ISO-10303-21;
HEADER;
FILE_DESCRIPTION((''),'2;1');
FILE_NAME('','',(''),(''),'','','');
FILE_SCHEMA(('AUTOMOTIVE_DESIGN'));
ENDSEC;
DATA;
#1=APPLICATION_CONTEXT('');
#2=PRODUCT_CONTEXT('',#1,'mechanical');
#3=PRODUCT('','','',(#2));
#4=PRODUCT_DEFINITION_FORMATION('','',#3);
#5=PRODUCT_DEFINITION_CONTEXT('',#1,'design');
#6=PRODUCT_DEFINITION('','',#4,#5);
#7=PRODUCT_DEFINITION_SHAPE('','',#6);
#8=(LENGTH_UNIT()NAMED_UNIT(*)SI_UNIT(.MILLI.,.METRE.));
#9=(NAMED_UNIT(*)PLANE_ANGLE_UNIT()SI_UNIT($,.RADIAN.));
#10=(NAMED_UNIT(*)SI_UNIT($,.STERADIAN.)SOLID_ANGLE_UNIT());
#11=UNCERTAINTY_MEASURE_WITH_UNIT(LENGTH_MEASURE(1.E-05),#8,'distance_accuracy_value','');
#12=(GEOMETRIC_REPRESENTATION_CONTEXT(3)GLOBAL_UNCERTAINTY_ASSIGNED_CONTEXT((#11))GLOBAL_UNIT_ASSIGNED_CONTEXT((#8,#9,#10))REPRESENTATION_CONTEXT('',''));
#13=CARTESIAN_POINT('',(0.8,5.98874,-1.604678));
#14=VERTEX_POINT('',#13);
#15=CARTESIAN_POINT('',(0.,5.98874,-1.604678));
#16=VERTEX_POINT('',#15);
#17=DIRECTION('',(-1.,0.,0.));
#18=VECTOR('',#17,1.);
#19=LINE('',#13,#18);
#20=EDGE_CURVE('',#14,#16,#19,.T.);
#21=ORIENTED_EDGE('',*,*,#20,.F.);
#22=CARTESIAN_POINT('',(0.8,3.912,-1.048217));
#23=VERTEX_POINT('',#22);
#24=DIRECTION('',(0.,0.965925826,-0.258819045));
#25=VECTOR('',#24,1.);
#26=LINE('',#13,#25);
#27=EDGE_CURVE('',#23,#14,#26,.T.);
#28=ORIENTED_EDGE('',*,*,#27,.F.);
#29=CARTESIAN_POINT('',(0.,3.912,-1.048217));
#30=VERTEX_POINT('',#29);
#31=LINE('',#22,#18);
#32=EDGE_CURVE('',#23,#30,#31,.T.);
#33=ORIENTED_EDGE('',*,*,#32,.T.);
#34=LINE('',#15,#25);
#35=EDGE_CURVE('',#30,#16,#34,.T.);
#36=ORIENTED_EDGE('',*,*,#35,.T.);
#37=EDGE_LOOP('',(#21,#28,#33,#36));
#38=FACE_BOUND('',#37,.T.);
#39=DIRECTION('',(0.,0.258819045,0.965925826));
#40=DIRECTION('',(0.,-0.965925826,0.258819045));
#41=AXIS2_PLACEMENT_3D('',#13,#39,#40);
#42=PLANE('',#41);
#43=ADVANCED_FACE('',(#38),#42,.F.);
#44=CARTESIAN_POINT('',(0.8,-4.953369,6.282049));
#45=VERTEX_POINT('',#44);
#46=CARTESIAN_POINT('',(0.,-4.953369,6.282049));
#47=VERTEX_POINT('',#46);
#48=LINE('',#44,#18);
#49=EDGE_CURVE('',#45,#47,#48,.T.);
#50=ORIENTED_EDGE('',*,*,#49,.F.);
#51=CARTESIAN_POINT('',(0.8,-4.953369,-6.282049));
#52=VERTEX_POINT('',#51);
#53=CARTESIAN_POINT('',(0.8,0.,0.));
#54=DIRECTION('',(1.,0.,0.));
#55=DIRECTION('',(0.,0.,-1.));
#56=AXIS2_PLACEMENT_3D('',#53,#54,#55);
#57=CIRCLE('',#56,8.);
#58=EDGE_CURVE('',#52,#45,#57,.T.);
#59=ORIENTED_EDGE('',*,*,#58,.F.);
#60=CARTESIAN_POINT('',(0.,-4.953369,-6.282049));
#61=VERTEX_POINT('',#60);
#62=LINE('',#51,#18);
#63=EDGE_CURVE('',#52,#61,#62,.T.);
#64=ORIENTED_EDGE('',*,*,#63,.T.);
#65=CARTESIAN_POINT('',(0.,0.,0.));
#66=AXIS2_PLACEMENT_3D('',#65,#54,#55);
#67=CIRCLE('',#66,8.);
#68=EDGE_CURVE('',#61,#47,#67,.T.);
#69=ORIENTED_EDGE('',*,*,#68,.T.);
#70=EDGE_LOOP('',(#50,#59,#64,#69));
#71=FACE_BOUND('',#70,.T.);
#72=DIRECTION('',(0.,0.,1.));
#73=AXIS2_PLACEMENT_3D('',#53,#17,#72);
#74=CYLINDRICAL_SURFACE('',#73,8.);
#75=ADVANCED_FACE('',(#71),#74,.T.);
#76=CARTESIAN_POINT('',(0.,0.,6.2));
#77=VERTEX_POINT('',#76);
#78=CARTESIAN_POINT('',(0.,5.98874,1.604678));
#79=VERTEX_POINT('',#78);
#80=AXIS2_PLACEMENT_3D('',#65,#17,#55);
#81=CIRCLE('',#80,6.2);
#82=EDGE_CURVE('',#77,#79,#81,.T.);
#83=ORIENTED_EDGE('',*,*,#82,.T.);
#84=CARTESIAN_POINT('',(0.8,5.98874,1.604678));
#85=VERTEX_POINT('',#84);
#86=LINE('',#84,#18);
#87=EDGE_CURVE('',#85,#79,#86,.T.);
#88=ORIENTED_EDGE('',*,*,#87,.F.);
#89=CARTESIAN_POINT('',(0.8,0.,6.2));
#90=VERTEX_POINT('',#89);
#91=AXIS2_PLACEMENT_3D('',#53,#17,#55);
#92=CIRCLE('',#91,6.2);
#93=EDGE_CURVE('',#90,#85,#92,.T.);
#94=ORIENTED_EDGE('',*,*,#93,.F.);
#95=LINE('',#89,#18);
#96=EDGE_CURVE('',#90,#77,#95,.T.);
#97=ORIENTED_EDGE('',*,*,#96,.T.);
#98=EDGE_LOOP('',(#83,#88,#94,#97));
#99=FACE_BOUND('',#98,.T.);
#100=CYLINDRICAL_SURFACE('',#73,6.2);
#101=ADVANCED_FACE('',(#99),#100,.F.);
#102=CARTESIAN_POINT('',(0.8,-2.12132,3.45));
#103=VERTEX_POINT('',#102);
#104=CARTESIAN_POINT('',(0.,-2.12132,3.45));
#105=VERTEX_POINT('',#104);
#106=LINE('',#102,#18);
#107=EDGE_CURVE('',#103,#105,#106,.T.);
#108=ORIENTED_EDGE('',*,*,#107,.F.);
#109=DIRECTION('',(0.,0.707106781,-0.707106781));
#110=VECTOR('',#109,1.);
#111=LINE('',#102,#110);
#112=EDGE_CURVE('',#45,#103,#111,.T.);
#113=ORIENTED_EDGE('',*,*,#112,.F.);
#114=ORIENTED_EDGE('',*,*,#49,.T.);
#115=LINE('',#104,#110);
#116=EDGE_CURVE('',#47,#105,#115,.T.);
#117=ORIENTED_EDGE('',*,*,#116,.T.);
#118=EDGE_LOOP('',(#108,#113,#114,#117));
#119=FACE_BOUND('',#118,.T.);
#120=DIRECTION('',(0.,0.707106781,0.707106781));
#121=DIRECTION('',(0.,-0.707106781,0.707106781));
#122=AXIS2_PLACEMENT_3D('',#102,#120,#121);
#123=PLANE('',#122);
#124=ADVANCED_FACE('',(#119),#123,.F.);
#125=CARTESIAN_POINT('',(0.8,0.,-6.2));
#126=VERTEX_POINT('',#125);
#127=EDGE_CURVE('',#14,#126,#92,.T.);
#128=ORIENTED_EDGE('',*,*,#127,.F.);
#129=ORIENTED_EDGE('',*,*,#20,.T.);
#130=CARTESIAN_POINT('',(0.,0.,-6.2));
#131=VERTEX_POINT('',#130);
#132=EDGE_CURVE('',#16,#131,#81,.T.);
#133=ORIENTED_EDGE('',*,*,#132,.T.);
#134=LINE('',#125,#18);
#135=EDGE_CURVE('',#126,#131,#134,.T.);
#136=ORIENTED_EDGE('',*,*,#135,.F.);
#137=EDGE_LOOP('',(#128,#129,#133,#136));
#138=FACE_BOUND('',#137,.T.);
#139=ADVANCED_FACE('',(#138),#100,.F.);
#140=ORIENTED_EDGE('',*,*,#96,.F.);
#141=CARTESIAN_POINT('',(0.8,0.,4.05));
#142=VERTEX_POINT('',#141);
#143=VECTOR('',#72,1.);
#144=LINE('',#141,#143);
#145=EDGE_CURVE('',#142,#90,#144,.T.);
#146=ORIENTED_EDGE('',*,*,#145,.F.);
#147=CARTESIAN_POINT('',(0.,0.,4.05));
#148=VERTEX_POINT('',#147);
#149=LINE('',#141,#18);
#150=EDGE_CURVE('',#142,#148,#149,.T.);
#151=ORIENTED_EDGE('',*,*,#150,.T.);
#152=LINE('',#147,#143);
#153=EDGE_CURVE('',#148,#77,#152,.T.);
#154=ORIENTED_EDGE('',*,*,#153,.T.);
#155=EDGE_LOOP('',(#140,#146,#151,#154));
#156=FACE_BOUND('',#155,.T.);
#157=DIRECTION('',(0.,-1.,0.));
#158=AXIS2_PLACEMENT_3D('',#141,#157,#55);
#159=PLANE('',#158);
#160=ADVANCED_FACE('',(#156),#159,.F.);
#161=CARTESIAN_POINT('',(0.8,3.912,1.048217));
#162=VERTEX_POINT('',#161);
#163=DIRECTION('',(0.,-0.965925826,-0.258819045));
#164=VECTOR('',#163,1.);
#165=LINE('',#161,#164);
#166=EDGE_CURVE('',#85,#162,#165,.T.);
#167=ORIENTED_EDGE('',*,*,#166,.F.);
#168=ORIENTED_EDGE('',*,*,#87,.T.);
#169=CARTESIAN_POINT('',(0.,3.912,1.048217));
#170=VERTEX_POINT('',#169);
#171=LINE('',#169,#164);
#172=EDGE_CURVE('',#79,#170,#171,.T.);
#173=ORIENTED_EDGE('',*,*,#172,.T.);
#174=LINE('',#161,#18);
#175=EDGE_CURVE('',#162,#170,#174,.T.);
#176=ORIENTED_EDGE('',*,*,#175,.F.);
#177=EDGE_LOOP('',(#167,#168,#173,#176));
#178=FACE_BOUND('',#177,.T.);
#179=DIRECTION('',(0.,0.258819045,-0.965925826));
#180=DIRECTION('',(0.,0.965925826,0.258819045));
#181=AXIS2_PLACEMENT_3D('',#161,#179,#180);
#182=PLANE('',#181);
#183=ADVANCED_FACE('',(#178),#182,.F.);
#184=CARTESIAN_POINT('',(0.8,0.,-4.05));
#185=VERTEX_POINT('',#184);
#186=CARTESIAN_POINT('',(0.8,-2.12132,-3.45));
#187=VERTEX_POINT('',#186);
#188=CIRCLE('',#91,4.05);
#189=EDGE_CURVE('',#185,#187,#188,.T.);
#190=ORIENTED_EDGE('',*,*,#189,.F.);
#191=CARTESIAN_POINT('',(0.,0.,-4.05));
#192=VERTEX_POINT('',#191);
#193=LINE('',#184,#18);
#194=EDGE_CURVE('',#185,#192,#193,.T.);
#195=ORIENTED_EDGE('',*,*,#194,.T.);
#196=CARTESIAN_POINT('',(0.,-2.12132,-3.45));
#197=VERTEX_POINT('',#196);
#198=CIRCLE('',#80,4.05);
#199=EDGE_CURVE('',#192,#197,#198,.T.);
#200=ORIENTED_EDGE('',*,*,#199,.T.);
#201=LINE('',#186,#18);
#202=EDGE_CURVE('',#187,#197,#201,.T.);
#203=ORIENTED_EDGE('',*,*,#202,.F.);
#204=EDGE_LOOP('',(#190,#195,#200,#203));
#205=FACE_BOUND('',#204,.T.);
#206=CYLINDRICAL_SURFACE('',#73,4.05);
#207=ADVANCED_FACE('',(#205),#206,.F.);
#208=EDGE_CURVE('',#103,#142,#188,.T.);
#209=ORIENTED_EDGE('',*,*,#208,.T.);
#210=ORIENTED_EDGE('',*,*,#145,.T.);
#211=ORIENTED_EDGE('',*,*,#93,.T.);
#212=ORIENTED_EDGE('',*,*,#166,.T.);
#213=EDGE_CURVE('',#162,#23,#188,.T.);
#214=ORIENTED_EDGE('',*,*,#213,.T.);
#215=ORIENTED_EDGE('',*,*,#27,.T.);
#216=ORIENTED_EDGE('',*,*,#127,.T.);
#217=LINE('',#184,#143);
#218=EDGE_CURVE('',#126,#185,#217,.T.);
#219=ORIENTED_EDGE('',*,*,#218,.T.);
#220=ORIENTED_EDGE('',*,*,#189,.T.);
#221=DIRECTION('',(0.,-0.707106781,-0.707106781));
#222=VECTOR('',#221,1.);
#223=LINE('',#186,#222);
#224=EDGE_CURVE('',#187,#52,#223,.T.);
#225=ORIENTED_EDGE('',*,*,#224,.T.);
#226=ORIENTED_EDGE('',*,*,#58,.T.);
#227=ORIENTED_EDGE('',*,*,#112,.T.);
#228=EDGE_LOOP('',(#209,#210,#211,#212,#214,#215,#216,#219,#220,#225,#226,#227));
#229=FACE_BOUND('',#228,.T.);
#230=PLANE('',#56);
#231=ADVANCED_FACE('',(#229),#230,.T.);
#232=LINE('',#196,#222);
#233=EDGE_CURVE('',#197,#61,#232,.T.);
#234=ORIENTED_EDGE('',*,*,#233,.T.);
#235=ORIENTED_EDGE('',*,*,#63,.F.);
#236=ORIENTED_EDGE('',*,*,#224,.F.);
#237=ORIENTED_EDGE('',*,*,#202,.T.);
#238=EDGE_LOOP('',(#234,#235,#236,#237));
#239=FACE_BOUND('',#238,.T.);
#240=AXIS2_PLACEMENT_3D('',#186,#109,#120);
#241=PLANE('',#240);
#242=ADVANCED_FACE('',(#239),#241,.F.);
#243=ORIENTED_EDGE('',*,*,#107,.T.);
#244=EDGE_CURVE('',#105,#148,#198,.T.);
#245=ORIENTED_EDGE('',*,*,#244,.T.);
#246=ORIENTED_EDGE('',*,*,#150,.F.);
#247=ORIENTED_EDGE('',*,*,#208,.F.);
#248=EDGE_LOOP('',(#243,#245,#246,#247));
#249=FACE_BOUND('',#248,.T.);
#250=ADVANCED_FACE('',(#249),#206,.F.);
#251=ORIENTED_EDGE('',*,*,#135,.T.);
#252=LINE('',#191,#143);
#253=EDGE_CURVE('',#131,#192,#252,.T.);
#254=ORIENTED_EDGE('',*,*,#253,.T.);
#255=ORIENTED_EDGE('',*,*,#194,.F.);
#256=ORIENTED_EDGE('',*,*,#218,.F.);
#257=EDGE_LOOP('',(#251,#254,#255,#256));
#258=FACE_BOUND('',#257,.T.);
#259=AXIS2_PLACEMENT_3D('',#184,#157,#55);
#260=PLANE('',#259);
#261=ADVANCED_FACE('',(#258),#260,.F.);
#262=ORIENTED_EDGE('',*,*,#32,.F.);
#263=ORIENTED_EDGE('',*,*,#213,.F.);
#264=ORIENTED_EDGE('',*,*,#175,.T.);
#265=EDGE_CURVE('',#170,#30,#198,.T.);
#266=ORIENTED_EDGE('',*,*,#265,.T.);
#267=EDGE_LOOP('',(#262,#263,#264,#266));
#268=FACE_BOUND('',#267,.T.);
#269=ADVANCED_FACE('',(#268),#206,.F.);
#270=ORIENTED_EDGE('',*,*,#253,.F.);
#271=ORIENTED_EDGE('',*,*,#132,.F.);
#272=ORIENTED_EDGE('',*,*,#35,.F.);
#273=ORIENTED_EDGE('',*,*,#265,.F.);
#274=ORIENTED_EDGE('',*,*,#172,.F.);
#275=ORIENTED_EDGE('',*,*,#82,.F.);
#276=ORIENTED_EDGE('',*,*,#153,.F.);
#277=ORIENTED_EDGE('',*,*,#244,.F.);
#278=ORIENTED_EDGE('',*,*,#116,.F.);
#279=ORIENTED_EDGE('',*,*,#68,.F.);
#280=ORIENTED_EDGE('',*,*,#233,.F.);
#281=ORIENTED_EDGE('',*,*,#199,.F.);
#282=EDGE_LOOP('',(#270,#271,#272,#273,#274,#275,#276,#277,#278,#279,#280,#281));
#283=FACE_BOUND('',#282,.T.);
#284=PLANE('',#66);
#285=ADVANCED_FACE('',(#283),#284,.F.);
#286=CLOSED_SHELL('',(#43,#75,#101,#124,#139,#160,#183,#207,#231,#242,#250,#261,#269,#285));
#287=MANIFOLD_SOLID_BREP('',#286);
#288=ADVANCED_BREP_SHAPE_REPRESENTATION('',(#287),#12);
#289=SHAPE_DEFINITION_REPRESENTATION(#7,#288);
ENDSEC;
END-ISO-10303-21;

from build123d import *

# Parameters (mm, degrees)
BOSS_EXTRUDE1_DEPTH = 0.8


with BuildPart() as part:
    # Sketch1 → Boss-Extrude1 (new body)
    with BuildSketch(Plane(origin=(0, 0, 0), x_dir=(0, 0, -1), z_dir=(1, 0, 0))):
        with BuildLine():
            Line((-4.05, 0), (-6.2, 0))
            ThreePointArc((-6.2, 0), (-4.91879071, 3.77432086), (-1.60467808, 5.988740123))
            Line((-1.60467808, 5.988740123), (-1.048217133, 3.911999596))
            ThreePointArc((-1.048217133, 3.911999596), (0, 4.05), (1.048217133, 3.911999596))
            Line((1.048217133, 3.911999596), (1.60467808, 5.988740123))
            ThreePointArc((1.60467808, 5.988740123), (4.91879071, 3.77432086), (6.2, 0))
            Line((6.2, 0), (4.05, 0))
            ThreePointArc((4.05, 0), (3.897114317, -1.102270384), (3.45, -2.121320344))
            Line((3.45, -2.121320344), (6.282048667, -4.95336901))
            ThreePointArc((6.282048667, -4.95336901), (0, 8), (-6.282048667, -4.95336901))
            Line((-6.282048667, -4.95336901), (-3.45, -2.121320344))
            ThreePointArc((-3.45, -2.121320344), (-3.897114317, -1.102270384), (-4.05, 0))
        make_face()
    extrude(amount=BOSS_EXTRUDE1_DEPTH)


solid = part.part
